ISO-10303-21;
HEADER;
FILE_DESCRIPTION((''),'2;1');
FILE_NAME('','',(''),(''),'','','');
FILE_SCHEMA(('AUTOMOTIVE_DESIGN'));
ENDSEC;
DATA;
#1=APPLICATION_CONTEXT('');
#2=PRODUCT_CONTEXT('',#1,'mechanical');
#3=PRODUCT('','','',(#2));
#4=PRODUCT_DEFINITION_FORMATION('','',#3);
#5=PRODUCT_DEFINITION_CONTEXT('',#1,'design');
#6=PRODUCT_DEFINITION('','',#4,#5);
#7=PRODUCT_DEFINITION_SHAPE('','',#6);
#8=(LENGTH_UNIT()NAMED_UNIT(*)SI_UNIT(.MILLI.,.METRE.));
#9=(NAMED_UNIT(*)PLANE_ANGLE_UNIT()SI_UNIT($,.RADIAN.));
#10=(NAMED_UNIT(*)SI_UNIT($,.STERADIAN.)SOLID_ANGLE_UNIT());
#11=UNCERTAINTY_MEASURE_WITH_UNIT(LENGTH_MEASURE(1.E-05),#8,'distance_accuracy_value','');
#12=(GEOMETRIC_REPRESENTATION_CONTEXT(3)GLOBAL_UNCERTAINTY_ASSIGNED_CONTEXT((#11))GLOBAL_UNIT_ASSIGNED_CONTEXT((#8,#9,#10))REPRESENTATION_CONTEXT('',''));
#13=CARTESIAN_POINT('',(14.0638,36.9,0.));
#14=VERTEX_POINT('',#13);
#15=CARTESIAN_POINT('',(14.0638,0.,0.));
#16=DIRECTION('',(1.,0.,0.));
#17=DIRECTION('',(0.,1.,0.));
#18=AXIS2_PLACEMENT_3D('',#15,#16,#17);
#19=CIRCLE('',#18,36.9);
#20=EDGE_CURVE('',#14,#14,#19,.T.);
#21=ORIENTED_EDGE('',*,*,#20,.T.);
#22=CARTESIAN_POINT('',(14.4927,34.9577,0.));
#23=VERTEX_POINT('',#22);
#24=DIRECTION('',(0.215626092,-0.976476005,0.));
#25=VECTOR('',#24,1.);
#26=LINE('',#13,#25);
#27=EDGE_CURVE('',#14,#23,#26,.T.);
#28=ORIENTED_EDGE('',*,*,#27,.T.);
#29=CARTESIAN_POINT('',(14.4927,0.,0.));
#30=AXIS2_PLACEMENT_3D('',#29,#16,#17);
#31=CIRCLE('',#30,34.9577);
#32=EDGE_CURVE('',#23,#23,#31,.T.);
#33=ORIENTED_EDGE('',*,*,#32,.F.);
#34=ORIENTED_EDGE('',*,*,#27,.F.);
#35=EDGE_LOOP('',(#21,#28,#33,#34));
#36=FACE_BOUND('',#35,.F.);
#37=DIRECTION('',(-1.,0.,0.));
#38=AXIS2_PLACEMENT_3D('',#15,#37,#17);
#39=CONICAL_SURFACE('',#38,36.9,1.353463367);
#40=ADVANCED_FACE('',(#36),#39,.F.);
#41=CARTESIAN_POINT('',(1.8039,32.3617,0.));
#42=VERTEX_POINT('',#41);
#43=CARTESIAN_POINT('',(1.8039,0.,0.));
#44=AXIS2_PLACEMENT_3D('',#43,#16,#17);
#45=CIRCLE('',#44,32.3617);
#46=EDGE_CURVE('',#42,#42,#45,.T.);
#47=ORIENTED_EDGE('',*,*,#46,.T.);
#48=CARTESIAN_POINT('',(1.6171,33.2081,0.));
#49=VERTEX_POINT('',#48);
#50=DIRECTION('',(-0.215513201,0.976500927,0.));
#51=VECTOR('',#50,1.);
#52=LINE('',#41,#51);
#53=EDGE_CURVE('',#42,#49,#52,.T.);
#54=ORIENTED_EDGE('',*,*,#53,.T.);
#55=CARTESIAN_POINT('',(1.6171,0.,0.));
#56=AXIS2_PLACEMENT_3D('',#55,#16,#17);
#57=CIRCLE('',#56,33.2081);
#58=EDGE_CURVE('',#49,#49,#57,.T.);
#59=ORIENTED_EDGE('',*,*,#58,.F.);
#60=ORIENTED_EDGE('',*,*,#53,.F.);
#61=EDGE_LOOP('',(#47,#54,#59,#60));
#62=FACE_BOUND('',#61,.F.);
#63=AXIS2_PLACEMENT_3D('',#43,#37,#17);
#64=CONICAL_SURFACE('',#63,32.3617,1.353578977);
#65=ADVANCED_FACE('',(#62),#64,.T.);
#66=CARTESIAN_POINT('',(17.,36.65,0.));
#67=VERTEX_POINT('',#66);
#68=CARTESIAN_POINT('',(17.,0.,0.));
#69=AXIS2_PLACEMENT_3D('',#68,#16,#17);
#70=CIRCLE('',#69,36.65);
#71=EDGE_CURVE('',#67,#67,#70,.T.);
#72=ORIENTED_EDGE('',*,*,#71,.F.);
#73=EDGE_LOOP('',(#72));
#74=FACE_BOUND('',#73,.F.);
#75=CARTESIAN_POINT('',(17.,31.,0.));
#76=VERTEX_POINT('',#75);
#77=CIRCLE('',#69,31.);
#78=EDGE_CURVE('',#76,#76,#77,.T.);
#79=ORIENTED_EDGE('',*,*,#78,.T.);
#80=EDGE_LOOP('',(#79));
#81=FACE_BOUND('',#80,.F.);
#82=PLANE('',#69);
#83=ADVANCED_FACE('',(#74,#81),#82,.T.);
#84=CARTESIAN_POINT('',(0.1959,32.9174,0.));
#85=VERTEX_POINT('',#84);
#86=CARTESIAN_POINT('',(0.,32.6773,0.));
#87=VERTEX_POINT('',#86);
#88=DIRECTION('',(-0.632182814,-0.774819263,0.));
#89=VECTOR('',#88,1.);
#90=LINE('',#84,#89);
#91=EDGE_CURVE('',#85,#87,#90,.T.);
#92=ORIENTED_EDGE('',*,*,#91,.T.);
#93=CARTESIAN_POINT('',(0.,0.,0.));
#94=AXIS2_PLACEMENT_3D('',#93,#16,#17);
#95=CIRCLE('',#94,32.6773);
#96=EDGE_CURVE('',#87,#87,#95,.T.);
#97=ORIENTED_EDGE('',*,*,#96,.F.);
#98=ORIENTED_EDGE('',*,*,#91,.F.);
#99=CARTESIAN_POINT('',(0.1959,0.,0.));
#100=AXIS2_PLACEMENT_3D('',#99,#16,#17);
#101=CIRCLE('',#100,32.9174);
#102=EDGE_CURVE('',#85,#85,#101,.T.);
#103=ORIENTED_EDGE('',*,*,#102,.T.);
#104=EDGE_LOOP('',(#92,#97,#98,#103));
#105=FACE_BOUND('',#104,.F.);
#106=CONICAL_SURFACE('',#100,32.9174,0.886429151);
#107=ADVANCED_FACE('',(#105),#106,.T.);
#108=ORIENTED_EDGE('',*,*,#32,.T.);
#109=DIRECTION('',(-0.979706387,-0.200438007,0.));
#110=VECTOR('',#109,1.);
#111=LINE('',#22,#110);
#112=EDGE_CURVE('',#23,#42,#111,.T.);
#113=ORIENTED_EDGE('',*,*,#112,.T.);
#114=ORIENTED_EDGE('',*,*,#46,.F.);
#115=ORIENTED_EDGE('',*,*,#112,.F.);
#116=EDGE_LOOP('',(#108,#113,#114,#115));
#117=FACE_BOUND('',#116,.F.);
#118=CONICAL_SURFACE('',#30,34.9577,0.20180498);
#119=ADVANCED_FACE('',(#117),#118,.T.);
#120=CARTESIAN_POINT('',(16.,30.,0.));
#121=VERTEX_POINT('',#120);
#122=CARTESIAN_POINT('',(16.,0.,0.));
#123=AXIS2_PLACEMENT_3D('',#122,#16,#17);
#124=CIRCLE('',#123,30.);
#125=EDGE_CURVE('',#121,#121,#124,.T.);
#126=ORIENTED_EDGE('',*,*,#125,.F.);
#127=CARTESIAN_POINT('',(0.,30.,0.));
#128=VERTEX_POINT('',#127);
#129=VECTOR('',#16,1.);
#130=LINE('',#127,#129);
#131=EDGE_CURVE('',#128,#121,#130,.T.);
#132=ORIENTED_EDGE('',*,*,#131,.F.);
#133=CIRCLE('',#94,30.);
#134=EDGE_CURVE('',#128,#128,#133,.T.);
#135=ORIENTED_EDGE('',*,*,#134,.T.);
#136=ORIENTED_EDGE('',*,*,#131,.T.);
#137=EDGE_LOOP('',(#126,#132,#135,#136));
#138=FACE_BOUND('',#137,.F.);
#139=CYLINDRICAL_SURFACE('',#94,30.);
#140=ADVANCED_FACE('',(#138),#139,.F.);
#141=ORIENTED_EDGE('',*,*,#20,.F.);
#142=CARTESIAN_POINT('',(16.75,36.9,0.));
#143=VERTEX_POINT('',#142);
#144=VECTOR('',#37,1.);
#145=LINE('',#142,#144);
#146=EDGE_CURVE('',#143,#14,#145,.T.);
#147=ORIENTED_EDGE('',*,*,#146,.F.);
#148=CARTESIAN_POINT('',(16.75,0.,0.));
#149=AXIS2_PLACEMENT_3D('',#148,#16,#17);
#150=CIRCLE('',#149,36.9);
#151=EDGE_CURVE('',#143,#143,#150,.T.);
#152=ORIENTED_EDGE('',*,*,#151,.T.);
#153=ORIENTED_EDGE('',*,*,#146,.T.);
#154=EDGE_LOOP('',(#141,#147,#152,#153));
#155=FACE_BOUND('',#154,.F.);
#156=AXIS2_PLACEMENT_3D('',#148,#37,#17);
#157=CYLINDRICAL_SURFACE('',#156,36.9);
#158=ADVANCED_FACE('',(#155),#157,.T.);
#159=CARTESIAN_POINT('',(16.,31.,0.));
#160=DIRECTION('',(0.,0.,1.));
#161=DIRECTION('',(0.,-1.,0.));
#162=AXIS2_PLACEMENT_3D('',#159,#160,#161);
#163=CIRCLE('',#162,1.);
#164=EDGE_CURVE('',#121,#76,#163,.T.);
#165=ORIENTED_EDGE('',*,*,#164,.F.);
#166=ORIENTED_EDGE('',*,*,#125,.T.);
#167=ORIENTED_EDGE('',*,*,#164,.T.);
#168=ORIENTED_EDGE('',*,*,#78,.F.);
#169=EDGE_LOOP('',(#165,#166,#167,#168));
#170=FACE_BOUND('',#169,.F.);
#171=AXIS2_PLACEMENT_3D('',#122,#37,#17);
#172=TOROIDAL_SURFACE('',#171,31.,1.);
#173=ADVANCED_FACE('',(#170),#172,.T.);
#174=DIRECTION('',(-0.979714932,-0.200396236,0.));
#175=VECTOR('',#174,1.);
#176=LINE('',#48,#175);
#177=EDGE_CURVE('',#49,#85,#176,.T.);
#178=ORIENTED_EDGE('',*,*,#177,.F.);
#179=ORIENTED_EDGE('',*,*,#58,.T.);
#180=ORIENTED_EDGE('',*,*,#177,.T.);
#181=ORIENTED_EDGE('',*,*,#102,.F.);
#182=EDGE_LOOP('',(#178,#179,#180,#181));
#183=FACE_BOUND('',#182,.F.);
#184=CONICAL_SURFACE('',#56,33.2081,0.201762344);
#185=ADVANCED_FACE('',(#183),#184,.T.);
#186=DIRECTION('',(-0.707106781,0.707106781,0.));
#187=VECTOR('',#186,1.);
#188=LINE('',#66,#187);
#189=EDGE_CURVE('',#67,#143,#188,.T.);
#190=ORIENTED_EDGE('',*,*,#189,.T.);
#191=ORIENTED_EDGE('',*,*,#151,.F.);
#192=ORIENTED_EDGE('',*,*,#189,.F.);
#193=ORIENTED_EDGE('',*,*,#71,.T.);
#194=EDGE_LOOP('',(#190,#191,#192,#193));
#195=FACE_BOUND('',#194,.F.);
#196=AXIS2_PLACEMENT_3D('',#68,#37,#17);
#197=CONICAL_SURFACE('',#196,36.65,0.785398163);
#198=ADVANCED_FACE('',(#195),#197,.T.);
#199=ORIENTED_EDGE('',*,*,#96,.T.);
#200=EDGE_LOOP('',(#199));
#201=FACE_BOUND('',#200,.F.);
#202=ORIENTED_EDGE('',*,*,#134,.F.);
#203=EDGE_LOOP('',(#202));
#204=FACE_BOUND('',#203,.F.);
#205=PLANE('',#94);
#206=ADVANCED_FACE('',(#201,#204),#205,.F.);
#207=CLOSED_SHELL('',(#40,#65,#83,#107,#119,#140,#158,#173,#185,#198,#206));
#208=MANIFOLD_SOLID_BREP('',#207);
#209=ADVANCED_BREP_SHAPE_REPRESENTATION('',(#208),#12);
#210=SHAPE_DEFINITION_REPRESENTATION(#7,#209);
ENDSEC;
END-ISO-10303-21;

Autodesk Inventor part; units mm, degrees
sketch "Sketch_1" plane through (0, 0, 0) normal (0, 0, 1) x (1, 0, 0)
  line L0 (16, 0) -> (0, 0)
  line L1 (0, 32.6773) -> (0, 30)
  line L2 (0, 30) -> (16, 30)
  arc A0 (16, 30) -> (17, 31) centre (16, 31) ccw
  line L3 (17, 31) -> (17, 36.65)
  line L4 (17, 36.65) -> (16.75, 36.9)
  line L5 (16.75, 36.9) -> (14.0638, 36.9)
  line L6 (14.0638, 36.9) -> (14.4927, 34.9577)
  line L7 (14.4927, 34.9577) -> (1.8039, 32.3617)
  line L8 (1.8039, 32.3617) -> (1.6171, 33.2081)
  line L9 (1.6171, 33.2081) -> (0.1959, 32.9174)
  line L10 (0.1959, 32.9174) -> (0, 32.6773)
revolve "Revolution1" add sketch "Sketch_1" angle 360 about axis through (16, 0, 0) along (1, 0, 0)
ref_plane "inner_ring_XY" through (0, 0, 0) normal (0, 0, 1) x (1, 0, 0)
ref_plane "inner_ring_YZ" through (0, 0, 0) normal (1, 0, 0) x (0, 1, 0)
ref_plane "inner_ring_ZX" through (0, 0, 0) normal (0, 1, 0) x (0, 0, 1)
properties part number "32912_ir"
